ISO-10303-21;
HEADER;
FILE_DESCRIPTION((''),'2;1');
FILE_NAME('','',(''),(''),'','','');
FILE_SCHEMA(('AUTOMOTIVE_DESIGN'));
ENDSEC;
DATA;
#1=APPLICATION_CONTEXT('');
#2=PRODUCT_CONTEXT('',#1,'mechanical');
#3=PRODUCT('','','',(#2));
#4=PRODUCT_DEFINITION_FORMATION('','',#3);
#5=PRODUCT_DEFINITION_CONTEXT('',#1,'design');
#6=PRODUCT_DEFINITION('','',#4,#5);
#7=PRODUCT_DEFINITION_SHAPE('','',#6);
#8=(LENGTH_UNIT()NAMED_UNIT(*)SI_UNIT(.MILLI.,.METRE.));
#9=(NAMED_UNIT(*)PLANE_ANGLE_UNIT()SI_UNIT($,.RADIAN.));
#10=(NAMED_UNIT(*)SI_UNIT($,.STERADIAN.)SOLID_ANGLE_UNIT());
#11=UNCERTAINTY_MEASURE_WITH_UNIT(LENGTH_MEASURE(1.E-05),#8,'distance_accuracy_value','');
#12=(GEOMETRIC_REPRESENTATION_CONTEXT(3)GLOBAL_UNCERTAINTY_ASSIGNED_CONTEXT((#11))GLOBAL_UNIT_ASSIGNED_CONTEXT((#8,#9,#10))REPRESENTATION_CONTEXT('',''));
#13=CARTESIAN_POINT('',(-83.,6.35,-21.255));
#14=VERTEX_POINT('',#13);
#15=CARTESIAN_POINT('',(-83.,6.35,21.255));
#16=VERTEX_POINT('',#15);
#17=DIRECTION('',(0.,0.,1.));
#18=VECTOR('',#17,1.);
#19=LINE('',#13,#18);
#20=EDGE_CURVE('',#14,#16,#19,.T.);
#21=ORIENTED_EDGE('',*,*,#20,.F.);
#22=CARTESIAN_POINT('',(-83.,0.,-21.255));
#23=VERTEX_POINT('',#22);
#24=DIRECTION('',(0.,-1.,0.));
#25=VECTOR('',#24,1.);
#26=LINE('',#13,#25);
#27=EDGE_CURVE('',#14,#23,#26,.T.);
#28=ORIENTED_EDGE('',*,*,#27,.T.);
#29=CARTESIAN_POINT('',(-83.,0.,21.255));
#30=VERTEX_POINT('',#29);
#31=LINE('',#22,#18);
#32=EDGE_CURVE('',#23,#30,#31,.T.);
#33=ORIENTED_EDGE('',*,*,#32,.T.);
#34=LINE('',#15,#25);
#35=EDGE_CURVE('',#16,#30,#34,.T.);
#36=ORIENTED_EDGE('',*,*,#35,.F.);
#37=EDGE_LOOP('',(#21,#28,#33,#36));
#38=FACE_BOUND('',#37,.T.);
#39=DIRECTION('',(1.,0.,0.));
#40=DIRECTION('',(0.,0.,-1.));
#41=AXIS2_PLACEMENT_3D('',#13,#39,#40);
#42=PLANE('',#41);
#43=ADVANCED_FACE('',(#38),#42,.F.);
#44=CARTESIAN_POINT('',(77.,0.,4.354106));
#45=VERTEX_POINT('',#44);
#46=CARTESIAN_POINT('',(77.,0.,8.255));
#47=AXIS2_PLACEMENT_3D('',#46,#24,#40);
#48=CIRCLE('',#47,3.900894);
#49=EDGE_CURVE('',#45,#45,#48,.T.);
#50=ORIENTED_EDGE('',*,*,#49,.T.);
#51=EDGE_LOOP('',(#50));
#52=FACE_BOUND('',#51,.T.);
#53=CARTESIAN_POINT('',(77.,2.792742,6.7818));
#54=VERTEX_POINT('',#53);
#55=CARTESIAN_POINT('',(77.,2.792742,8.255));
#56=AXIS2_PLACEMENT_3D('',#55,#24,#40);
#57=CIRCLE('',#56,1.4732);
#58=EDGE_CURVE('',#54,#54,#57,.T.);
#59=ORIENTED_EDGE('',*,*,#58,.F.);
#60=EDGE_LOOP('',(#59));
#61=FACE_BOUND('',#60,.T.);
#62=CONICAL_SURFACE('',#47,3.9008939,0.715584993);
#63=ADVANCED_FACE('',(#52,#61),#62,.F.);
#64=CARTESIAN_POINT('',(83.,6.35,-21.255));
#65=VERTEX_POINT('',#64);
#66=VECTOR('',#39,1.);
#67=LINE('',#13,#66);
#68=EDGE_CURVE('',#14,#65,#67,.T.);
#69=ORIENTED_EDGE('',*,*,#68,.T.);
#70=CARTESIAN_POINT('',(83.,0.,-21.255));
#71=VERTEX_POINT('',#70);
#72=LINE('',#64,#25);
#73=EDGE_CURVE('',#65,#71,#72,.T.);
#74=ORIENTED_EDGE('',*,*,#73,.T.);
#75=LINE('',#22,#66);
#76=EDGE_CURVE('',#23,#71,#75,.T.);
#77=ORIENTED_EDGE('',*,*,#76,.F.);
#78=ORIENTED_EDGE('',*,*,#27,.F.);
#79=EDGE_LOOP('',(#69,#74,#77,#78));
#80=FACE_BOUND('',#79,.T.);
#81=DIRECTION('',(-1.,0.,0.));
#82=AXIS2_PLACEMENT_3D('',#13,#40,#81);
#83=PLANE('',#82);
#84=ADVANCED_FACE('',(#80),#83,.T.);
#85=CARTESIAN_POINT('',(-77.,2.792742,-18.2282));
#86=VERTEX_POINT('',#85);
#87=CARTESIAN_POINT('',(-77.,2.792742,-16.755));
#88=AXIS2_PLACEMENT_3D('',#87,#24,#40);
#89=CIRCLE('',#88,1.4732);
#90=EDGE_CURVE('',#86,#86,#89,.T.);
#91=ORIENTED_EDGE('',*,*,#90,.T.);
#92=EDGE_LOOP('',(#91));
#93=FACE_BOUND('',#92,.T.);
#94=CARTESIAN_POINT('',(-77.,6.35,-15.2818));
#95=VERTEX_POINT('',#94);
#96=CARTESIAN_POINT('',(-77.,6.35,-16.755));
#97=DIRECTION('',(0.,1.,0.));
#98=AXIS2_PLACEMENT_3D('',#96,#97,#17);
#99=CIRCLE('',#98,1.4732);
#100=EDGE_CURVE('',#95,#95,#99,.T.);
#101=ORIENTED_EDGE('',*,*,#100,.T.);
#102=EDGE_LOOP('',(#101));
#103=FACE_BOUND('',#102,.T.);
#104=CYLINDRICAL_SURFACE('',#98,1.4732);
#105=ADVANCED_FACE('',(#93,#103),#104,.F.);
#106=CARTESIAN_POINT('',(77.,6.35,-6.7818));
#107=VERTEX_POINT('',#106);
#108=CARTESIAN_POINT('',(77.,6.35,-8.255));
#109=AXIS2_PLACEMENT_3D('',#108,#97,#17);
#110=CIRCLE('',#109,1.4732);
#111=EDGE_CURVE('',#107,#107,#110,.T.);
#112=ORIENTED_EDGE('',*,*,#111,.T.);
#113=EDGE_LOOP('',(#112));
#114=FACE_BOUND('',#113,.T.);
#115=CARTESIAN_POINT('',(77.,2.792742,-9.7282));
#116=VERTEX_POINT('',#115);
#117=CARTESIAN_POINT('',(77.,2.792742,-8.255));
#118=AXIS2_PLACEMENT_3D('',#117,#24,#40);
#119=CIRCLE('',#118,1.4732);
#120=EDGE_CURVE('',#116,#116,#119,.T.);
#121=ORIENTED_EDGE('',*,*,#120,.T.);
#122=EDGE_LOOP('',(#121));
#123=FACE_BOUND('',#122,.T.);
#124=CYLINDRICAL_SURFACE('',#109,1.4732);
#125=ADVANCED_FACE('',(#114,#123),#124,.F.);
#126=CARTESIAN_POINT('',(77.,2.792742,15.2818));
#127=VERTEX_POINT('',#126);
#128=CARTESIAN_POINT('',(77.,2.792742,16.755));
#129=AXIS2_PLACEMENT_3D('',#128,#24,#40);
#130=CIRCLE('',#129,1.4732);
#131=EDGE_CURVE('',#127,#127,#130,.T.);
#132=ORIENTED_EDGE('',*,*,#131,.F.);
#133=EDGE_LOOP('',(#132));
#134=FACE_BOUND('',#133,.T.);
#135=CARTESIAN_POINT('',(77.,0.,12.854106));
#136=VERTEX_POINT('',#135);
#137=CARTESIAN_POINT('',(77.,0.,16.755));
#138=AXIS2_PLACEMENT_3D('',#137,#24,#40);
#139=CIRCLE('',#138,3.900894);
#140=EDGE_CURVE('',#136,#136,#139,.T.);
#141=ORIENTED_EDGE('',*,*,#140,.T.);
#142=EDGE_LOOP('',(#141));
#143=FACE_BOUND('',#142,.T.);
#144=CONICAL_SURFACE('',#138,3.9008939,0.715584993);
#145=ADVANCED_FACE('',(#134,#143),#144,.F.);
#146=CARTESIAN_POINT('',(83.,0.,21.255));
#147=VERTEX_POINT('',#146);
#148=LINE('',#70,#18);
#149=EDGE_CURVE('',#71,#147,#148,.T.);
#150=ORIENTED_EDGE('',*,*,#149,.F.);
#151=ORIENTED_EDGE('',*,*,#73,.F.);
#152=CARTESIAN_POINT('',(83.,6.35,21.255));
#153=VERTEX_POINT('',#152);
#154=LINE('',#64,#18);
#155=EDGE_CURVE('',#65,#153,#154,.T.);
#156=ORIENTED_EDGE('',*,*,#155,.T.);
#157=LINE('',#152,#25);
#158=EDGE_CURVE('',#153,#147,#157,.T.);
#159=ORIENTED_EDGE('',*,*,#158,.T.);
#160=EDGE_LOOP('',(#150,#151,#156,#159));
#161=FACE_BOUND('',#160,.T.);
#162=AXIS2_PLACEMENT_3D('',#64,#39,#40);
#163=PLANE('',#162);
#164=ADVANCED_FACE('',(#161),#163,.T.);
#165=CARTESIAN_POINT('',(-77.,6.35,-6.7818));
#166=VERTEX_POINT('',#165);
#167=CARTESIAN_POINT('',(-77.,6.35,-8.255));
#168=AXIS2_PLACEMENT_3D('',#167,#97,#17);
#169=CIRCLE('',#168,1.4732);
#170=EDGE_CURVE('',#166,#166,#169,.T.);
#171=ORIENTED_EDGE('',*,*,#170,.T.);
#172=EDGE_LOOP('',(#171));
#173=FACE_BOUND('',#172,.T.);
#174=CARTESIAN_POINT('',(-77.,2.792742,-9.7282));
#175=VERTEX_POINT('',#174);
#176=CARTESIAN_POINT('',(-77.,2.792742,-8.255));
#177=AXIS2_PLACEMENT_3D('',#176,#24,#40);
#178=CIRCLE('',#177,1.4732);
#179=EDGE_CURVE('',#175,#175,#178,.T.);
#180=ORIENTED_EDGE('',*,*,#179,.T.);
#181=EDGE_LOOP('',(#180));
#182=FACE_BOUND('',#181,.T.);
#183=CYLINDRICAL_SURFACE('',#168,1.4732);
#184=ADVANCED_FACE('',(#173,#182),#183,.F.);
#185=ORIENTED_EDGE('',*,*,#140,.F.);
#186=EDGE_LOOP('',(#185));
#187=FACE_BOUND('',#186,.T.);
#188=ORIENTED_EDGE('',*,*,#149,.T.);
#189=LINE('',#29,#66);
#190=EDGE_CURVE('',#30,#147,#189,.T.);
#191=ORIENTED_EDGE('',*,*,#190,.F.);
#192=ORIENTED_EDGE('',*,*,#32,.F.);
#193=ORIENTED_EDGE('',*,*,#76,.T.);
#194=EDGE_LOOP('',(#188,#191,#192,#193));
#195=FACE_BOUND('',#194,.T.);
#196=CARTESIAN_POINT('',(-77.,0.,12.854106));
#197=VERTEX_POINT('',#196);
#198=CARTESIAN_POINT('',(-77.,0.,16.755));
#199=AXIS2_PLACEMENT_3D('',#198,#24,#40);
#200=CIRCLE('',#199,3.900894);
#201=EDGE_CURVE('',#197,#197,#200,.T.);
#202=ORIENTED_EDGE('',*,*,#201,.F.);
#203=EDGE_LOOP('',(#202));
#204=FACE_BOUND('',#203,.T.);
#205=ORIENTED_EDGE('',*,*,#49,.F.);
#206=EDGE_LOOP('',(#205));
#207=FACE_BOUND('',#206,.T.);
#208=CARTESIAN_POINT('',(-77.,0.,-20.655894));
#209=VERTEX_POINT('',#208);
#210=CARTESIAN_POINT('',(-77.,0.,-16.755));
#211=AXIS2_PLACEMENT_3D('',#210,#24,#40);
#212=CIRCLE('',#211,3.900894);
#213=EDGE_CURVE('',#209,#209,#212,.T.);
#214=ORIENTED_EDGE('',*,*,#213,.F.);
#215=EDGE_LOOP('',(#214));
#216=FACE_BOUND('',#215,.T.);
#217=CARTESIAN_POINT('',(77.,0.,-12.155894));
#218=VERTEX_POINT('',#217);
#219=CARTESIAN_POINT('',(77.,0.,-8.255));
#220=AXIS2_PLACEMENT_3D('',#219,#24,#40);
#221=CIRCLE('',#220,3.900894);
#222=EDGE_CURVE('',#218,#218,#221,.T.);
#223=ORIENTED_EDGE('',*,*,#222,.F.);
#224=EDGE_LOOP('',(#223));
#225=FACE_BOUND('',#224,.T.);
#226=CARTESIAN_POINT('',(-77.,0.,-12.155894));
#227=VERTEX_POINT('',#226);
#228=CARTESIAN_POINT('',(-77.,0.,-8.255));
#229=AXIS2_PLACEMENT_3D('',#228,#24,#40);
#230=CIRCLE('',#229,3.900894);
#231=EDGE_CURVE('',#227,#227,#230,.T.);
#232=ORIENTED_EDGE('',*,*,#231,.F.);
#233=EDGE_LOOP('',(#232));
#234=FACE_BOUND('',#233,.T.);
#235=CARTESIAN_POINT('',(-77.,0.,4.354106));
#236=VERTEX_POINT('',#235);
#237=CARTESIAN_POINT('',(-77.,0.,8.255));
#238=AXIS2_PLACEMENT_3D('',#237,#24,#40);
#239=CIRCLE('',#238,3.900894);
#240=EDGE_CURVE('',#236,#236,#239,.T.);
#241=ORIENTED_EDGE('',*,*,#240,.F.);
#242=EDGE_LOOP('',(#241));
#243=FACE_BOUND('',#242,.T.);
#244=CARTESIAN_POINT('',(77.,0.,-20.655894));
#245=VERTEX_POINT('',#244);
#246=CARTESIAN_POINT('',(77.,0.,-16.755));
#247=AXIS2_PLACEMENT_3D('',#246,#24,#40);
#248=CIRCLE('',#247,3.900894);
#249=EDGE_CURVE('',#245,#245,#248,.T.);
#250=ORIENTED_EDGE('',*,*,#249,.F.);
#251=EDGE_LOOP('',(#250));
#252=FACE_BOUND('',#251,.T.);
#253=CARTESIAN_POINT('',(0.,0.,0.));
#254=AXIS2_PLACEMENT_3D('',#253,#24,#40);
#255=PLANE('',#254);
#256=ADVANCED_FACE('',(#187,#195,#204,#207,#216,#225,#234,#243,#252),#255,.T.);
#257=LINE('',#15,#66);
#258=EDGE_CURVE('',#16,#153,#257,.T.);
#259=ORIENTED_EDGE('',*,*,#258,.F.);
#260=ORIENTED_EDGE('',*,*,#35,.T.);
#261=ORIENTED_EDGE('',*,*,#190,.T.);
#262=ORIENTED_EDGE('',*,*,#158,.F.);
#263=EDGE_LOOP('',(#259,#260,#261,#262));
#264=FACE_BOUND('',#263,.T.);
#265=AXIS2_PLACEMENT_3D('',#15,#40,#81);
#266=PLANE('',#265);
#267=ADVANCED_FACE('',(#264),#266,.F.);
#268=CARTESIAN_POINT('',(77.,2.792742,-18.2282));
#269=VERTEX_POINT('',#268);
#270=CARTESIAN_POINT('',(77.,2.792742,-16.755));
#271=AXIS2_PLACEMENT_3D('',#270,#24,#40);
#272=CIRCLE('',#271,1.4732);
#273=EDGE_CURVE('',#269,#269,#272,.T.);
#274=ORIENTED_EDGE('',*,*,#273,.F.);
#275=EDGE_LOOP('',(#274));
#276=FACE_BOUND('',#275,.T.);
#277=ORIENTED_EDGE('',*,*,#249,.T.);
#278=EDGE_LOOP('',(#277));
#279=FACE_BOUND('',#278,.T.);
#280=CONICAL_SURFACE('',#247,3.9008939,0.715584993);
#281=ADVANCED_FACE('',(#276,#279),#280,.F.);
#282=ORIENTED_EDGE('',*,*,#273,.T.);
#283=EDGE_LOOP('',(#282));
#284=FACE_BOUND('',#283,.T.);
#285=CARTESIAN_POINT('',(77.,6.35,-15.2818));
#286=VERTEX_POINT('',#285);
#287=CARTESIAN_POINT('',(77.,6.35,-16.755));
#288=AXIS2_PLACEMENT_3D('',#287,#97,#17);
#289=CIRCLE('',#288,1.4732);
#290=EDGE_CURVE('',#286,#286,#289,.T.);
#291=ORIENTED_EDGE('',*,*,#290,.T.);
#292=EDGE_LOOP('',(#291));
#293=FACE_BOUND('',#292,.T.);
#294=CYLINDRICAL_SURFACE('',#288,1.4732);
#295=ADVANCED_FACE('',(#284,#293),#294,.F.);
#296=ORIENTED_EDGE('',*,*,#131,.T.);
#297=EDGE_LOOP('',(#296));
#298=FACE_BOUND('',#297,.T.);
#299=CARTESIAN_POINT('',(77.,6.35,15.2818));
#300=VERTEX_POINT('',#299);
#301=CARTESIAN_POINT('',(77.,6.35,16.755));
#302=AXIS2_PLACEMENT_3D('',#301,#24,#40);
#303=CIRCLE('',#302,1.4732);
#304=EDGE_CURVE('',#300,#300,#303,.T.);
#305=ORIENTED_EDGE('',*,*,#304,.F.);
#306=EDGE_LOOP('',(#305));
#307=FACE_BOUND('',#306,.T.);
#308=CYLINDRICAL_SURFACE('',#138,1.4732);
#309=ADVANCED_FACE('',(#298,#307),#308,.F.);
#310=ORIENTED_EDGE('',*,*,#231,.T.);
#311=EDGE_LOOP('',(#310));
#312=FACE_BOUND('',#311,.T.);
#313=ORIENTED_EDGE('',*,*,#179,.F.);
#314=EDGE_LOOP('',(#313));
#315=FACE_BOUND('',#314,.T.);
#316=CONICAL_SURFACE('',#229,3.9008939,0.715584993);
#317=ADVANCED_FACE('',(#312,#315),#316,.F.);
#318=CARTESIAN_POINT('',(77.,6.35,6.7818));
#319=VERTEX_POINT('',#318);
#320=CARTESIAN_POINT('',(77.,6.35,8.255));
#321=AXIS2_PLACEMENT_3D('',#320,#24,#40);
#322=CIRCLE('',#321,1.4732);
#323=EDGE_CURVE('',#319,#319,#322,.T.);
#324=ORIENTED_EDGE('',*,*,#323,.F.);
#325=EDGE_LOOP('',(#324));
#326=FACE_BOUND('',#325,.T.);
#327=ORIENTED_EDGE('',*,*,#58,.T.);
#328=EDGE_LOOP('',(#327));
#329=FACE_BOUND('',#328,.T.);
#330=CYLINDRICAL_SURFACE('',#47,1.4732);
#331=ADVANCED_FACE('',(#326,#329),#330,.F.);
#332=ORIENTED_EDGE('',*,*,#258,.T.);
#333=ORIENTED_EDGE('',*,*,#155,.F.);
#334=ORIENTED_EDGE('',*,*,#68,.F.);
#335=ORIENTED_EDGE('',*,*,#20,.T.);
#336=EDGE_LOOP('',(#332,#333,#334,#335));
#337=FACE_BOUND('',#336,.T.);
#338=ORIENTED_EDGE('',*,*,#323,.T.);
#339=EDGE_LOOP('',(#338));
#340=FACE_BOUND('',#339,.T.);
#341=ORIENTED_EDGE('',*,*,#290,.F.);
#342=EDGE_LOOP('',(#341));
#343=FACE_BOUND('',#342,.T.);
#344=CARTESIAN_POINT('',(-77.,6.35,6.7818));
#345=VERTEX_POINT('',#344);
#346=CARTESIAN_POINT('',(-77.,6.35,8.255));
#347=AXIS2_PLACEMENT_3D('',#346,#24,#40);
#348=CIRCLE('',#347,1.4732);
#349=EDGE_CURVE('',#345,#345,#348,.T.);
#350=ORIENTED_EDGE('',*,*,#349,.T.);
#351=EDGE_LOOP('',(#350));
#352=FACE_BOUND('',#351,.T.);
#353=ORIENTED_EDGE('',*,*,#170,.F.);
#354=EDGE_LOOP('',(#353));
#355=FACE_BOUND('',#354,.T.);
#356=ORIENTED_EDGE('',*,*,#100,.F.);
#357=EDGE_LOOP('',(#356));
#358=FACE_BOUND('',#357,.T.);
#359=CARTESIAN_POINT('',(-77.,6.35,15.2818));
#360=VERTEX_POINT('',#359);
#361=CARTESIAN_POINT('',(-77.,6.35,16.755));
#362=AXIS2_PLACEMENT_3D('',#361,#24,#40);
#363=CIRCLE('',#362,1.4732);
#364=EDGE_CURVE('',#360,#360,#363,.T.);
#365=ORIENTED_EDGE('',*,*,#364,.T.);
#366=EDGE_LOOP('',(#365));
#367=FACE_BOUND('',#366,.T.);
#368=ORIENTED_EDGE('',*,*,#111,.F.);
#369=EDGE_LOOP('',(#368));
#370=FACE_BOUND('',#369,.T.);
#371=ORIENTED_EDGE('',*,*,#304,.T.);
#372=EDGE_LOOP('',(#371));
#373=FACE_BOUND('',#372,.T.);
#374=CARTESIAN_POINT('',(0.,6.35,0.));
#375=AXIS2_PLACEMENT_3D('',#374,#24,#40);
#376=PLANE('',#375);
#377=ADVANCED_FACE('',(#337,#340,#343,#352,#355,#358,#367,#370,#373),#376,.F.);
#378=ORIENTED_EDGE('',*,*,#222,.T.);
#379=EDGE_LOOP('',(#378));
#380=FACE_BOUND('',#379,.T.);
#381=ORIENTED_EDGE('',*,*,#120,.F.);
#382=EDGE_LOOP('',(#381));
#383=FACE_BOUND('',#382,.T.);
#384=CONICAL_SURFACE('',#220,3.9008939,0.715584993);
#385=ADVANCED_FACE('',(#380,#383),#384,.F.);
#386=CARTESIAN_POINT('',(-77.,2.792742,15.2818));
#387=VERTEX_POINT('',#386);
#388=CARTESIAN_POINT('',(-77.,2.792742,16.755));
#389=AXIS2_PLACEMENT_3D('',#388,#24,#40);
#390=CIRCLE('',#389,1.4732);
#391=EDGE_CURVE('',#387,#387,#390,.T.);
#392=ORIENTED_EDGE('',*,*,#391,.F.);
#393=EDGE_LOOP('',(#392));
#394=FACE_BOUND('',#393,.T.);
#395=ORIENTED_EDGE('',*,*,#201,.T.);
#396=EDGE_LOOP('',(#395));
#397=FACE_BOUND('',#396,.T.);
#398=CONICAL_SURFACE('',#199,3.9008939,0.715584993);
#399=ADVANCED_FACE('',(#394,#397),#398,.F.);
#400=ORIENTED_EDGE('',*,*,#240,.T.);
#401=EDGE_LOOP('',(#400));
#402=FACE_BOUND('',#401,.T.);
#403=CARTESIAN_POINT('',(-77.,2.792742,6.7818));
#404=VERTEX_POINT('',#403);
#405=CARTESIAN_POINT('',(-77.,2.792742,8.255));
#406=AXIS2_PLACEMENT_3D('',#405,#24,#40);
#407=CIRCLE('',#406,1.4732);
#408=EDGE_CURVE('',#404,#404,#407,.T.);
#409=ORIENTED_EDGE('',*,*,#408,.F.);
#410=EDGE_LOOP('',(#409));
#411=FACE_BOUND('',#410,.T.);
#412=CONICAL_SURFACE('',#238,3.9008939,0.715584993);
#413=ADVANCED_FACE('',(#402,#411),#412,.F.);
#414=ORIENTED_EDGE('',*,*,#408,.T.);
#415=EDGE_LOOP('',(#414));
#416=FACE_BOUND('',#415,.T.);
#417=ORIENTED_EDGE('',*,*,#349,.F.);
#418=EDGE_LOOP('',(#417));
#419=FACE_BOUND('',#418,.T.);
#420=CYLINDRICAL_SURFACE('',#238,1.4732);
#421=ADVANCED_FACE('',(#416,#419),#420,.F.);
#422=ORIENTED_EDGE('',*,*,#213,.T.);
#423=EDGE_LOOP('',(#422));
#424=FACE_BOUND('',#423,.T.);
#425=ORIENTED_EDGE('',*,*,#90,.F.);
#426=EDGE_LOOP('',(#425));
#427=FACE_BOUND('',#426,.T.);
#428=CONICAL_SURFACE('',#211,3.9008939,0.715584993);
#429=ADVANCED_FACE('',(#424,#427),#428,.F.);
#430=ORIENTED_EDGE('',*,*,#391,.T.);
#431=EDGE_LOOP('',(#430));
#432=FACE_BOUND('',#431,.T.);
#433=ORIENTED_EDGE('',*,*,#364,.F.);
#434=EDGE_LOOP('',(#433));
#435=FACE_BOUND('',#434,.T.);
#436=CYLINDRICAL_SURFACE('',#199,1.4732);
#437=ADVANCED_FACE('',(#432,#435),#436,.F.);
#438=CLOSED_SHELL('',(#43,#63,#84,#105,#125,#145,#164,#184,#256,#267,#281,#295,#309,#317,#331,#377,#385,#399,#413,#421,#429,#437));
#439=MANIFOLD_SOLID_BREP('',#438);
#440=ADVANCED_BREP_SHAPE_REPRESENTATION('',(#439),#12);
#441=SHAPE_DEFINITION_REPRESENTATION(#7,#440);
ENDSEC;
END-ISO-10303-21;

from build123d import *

# Parameters (mm, degrees)
SKETCH1_W                                         = 166
SKETCH1_H                                         = 42.51
BOSS_EXTRUDE1_DEPTH                               = 6.35
F_4_CLEARANCE_HOLE1_D                             = 2.9464
CSK_FOR_4_FLAT_HEAD_SOCKET_CAP_SCREW1_D           = 2.9464
CSK_FOR_4_FLAT_HEAD_SOCKET_CAP_SCREW1_CSINK_D     = 7.8017878
CSK_FOR_4_FLAT_HEAD_SOCKET_CAP_SCREW1_CSINK_ANGLE = 82


with BuildPart() as part:
    # Sketch1 → Boss-Extrude1 (new body)
    with BuildSketch(Plane(origin=(0, 0, 0), x_dir=(1, 0, 0), z_dir=(0, 1, 0))):
        Rectangle(SKETCH1_W, SKETCH1_H)
    extrude(amount=BOSS_EXTRUDE1_DEPTH)

    # #4 Clearance Hole1 (through all)
    with Locations(Plane(origin=(0, 6.35, 0), x_dir=(1, 0, 0), z_dir=(0, 1, 0))):
        with Locations((-77, 8.255), (-77, 16.755), (77, 8.255), (77, 16.755)):
            Hole(F_4_CLEARANCE_HOLE1_D / 2)

    # CSK for #4 Flat Head Socket Cap Screw1 (through all)
    with Locations(Plane(origin=(0, 0, 0), x_dir=(-1, 0, 0), z_dir=(0, -1, 0))):
        with Locations((77, 8.255), (77, 16.755), (-77, 8.255), (-77, 16.755)):
            csk_for_4_flat_head_socket_cap_screw1 = CounterSinkHole(CSK_FOR_4_FLAT_HEAD_SOCKET_CAP_SCREW1_D / 2, CSK_FOR_4_FLAT_HEAD_SOCKET_CAP_SCREW1_CSINK_D / 2, counter_sink_angle=CSK_FOR_4_FLAT_HEAD_SOCKET_CAP_SCREW1_CSINK_ANGLE)

    # Mirror1: CSK for #4 Flat Head Socket Cap Screw1 across plane
    add(csk_for_4_flat_head_socket_cap_screw1.mirror(Plane.XY), mode=Mode.SUBTRACT)


solid = part.part
